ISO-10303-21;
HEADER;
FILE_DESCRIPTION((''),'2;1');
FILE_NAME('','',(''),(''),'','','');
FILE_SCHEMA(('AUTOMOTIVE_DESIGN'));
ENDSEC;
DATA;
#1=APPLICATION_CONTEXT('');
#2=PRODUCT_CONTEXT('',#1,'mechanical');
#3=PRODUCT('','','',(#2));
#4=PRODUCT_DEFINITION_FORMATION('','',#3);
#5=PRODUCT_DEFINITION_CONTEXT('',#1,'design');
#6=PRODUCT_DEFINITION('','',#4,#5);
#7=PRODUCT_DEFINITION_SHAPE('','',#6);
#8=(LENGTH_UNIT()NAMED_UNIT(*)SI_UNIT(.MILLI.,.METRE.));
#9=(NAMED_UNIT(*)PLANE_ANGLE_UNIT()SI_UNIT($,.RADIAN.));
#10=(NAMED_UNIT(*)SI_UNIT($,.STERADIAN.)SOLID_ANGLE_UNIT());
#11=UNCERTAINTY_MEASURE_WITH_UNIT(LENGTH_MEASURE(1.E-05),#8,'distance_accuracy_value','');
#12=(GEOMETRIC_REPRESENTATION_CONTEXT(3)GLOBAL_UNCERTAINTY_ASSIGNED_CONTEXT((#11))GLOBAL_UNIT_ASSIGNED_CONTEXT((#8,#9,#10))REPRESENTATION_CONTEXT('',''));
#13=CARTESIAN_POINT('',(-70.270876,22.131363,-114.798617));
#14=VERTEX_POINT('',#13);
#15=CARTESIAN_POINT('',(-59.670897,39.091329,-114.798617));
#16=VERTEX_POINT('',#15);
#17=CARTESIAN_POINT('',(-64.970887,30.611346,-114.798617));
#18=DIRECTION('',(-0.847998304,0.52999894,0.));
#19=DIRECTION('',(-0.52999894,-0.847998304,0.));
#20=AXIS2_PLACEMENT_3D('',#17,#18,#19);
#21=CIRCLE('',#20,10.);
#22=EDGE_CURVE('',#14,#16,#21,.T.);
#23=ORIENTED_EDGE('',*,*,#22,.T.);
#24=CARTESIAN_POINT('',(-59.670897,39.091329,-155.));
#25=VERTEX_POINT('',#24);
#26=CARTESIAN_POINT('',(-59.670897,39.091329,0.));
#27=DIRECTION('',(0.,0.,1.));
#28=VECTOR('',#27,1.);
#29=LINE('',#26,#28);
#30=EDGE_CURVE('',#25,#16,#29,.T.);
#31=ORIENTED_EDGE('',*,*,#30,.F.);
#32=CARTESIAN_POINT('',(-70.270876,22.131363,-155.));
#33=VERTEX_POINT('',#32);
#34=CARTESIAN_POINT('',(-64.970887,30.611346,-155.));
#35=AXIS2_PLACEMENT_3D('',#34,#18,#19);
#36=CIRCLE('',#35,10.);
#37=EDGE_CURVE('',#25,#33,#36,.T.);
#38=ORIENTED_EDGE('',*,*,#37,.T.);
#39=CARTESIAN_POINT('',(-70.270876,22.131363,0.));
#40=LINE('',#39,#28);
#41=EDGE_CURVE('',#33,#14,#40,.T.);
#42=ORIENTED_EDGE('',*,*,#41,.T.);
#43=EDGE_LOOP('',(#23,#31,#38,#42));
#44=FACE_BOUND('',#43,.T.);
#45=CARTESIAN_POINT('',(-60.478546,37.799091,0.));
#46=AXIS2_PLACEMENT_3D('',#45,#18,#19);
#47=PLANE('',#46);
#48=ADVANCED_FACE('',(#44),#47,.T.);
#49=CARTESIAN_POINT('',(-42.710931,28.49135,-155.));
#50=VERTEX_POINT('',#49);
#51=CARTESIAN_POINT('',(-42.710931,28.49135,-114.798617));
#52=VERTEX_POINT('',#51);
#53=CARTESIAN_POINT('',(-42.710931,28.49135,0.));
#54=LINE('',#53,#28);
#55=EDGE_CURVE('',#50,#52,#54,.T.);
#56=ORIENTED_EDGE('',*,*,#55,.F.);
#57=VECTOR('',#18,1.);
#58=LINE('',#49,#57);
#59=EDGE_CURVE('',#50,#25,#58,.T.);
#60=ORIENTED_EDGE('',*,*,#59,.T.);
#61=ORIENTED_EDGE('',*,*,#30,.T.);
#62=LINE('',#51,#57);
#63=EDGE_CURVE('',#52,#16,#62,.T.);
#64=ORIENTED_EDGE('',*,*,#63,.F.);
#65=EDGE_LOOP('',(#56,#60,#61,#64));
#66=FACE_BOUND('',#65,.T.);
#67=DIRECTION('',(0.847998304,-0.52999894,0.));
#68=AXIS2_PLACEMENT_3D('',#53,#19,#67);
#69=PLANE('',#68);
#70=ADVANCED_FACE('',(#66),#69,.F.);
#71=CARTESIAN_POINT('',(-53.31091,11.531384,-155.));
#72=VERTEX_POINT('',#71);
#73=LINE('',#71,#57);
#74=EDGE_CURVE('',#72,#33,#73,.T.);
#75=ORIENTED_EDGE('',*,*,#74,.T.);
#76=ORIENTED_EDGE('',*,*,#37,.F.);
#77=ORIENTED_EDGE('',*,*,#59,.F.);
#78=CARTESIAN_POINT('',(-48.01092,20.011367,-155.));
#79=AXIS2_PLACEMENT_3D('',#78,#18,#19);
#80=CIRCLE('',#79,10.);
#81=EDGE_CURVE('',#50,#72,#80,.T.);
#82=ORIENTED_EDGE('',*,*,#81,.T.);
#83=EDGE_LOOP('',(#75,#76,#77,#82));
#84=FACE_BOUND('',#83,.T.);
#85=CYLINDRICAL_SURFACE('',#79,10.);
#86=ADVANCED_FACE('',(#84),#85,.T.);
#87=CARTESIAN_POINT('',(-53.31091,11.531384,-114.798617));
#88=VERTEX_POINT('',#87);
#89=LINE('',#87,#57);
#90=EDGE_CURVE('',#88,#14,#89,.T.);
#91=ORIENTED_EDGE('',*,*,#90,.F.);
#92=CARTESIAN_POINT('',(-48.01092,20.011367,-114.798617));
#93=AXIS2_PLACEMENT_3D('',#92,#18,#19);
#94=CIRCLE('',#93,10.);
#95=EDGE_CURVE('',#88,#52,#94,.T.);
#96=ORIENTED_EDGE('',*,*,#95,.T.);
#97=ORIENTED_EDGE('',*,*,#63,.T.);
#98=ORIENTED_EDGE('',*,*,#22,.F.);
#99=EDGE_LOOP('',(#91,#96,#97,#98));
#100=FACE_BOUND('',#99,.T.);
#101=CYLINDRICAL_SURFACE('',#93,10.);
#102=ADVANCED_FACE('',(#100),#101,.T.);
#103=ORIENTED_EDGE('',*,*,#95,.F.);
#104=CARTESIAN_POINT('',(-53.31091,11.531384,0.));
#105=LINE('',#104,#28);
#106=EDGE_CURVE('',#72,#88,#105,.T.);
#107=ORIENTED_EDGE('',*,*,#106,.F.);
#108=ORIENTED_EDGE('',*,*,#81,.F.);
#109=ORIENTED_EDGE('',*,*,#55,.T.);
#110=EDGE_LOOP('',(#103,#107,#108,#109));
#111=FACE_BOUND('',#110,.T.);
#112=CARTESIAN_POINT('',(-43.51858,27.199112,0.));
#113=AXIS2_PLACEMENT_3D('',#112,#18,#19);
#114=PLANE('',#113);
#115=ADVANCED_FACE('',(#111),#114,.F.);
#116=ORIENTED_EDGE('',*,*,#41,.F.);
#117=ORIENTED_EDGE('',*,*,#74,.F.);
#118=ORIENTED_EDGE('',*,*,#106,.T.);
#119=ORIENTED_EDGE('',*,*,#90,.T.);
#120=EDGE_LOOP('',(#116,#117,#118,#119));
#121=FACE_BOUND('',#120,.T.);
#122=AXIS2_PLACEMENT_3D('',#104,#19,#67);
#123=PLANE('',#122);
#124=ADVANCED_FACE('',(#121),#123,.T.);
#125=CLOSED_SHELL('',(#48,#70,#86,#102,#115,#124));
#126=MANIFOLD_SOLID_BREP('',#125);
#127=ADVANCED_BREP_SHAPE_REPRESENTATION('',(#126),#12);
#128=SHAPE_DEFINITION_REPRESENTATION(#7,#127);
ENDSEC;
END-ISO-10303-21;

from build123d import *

# Parameters (mm, degrees)
BOSS_EXTRU_1_START = 35
BOSS_EXTRU_1_DEPTH = 20


with BuildPart() as part:
    # Esquisse1 → Boss.-Extru.1 (new body)
    with BuildSketch(Plane(origin=(-30.798605227, 19.249128267, 0), x_dir=(0, 0, 1), z_dir=(-0.8479983040028684, 0.5299989400067315, 0)).offset(BOSS_EXTRU_1_START)):
        with BuildLine():
            ThreePointArc((-145, -8.476131376), (-147.928932188, -1.405063564), (-155, 1.523868624))
            Line((-155, 1.523868624), (-155, -18.476131376))
            ThreePointArc((-155, -18.476131376), (-147.928932188, -15.547199188), (-145, -8.476131376))
        make_face()
        with BuildLine():
            Line((-155, -18.476131376), (-155, 1.523868624))
            ThreePointArc((-155, 1.523868624), (-165, -8.476131376), (-155, -18.476131376))
        make_face()
        with BuildLine():
            Line((-114.7986167, 1.523868624), (-155, 1.523868624))
            ThreePointArc((-155, 1.523868624), (-147.928932188, -1.405063564), (-145, -8.476131376))
            ThreePointArc((-145, -8.476131376), (-147.928932188, -15.547199188), (-155, -18.476131376))
            Line((-155, -18.476131376), (-114.7986167, -18.476131376))
            ThreePointArc((-114.7986167, -18.476131376), (-124.7986167, -8.476131376), (-114.7986167, 1.523868624))
        make_face()
        with BuildLine():
            ThreePointArc((-104.7986167, -8.476131376), (-107.727548888, -1.405063564), (-114.7986167, 1.523868624))
            Line((-114.7986167, 1.523868624), (-114.7986167, -18.476131376))
            ThreePointArc((-114.7986167, -18.476131376), (-107.727548888, -15.547199188), (-104.7986167, -8.476131376))
        make_face()
        with BuildLine():
            Line((-114.7986167, -18.476131376), (-114.7986167, 1.523868624))
            ThreePointArc((-114.7986167, 1.523868624), (-124.7986167, -8.476131376), (-114.7986167, -18.476131376))
        make_face()
    extrude(amount=-BOSS_EXTRU_1_DEPTH)


solid = part.part
